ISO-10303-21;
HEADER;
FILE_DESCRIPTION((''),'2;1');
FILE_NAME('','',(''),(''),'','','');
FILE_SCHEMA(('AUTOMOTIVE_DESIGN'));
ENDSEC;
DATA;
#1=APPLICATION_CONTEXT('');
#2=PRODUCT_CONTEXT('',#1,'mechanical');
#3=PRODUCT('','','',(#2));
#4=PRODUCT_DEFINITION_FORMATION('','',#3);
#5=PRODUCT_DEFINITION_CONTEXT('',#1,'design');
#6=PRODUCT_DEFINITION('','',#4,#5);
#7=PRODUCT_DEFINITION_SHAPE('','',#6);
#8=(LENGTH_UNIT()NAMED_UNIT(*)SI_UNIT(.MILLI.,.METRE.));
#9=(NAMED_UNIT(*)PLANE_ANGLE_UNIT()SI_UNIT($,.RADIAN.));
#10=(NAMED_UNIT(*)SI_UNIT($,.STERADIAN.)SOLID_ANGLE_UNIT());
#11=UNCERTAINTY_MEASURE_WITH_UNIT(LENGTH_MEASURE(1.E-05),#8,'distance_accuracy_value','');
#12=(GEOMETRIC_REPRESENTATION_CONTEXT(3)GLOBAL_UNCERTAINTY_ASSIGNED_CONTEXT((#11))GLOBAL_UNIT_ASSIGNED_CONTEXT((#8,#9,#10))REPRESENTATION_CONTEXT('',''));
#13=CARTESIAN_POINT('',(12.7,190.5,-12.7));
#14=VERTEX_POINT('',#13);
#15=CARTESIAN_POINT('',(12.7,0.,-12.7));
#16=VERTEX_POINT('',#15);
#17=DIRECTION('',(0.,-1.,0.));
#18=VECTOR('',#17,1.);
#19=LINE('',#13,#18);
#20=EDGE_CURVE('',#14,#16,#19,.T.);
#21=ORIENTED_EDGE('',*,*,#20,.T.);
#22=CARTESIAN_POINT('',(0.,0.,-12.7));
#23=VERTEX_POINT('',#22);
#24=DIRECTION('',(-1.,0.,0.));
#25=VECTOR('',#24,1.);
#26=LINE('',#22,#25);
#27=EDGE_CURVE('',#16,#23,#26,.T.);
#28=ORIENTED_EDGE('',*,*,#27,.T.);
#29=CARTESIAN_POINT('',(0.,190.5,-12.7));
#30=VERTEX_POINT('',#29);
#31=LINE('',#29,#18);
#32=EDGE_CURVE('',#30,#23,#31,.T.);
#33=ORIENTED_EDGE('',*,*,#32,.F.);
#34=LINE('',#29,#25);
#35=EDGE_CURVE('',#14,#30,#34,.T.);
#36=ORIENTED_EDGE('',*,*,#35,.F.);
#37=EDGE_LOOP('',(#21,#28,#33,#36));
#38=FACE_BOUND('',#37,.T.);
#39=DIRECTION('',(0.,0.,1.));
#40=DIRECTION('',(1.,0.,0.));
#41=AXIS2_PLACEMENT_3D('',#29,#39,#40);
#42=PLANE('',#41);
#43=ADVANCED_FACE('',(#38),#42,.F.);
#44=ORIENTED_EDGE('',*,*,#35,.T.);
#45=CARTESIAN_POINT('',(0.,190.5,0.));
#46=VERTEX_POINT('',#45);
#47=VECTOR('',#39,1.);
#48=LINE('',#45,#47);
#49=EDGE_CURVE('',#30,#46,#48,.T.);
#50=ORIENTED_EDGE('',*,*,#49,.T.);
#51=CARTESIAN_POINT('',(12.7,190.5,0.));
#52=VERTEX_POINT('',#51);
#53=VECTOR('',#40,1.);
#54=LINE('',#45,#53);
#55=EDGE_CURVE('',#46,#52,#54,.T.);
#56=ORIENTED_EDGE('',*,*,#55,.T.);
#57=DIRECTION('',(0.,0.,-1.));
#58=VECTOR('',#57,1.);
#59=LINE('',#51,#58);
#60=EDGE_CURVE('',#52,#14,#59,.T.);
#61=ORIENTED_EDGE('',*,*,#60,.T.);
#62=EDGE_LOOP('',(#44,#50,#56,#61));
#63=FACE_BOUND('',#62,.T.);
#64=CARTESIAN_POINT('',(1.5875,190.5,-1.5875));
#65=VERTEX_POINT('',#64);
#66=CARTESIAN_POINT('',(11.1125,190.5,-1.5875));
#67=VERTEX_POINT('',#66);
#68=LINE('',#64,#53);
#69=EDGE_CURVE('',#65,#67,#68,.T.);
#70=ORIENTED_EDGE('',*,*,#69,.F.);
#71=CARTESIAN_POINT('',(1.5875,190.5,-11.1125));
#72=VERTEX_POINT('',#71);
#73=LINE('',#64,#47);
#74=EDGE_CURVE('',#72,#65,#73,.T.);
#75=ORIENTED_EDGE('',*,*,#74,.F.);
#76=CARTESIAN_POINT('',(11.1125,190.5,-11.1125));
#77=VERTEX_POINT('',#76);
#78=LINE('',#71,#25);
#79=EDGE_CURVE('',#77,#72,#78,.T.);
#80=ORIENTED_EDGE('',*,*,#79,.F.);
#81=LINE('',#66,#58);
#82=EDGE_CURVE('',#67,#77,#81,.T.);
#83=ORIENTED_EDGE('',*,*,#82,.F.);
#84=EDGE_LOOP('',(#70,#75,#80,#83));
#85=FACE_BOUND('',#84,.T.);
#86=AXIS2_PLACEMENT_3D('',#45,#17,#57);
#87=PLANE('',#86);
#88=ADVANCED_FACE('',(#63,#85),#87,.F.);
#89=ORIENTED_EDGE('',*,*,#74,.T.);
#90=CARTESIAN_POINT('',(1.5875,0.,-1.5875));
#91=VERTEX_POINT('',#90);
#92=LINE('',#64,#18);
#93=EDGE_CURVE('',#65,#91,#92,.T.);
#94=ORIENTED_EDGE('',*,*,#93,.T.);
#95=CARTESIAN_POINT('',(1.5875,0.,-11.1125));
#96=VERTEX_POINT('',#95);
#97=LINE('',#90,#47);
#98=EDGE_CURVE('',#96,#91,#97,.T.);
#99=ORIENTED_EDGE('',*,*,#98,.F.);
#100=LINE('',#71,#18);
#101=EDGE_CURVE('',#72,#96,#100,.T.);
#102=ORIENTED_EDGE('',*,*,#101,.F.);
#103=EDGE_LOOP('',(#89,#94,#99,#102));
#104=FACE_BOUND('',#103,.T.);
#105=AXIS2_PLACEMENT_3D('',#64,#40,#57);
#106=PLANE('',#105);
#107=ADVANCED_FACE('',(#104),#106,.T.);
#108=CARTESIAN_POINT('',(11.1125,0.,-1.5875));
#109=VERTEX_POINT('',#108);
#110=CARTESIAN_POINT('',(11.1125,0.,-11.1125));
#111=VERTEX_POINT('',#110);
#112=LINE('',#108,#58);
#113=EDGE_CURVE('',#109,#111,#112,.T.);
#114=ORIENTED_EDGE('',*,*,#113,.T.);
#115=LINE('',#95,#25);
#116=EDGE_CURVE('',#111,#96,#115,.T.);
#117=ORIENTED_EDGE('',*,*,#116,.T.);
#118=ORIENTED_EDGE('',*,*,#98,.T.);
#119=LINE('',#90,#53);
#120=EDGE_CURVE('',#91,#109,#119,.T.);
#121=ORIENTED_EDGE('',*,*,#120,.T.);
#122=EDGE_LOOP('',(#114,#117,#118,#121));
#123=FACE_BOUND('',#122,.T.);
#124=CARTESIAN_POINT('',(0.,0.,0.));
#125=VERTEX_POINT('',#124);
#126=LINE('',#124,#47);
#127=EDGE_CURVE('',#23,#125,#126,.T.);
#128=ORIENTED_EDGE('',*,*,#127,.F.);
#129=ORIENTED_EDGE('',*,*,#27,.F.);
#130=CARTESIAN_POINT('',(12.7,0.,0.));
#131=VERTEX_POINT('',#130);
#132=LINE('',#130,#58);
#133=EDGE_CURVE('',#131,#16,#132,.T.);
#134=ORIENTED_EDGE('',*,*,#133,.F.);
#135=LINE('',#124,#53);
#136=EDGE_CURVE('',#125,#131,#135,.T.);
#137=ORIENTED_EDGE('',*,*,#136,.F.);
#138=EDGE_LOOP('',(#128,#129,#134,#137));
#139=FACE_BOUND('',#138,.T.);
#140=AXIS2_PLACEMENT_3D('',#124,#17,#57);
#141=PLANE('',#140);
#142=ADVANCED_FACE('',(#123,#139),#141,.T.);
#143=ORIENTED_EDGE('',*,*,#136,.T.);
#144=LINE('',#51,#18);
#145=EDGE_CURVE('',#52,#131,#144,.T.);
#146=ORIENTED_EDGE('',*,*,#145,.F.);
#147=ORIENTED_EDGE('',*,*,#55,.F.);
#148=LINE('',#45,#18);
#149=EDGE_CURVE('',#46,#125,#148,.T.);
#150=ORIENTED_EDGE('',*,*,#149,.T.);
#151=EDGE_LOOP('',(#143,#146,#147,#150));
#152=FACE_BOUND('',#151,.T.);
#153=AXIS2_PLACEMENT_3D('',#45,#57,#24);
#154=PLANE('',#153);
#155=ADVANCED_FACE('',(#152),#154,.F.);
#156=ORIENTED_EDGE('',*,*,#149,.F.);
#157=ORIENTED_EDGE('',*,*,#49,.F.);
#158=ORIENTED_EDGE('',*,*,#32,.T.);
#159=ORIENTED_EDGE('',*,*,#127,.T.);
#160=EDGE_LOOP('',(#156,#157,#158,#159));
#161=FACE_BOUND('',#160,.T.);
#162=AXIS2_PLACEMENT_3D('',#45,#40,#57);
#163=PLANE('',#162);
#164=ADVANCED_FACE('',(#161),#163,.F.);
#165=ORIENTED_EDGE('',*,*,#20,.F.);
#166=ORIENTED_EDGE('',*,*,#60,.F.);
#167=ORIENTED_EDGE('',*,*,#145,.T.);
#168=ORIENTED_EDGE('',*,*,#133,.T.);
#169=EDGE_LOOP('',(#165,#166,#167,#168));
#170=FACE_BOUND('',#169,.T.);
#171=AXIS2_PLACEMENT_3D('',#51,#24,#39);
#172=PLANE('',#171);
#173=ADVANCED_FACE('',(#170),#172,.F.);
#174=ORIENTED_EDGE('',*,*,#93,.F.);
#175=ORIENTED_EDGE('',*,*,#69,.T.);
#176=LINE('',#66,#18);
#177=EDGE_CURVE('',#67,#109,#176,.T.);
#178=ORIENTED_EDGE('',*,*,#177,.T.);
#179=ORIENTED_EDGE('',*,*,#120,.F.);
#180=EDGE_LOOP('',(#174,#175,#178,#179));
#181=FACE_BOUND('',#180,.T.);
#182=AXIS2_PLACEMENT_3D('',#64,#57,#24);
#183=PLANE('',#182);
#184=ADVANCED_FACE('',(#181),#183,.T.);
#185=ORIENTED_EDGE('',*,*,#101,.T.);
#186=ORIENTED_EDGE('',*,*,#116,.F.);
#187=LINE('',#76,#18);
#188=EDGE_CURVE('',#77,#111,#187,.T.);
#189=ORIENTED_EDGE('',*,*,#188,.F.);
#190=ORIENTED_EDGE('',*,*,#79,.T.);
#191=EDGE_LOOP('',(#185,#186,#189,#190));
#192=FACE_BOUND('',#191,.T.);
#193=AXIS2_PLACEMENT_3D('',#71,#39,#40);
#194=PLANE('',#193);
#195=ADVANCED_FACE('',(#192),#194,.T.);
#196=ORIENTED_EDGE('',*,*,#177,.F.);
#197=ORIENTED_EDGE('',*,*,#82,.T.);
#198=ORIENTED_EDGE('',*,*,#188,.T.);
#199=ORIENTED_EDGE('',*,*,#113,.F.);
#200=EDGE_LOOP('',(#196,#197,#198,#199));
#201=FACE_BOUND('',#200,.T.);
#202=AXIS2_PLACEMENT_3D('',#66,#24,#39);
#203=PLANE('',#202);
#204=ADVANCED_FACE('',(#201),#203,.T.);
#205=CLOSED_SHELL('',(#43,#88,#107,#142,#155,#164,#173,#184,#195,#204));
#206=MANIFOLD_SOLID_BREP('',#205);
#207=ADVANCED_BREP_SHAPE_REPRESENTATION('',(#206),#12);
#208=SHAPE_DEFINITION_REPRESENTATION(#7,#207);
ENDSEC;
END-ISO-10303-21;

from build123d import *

# Parameters (mm, degrees)
SKETCH1_W           = 12.7
SKETCH1_H           = 12.7
SKETCH1_W_2         = 9.525
SKETCH1_H_2         = 9.525
BOSS_EXTRUDE1_DEPTH = 190.5


with BuildPart() as part:
    # Sketch1 → Boss-Extrude1 (new body)
    with BuildSketch(Plane(origin=(0, 0, 0), x_dir=(1, 0, 0), z_dir=(0, 1, 0))):
        with Locations((6.35, 6.35)):
            Rectangle(SKETCH1_W, SKETCH1_H)
        with Locations((6.35, 6.35)):
            Rectangle(SKETCH1_W_2, SKETCH1_H_2, mode=Mode.SUBTRACT)
    extrude(amount=BOSS_EXTRUDE1_DEPTH)


solid = part.part
